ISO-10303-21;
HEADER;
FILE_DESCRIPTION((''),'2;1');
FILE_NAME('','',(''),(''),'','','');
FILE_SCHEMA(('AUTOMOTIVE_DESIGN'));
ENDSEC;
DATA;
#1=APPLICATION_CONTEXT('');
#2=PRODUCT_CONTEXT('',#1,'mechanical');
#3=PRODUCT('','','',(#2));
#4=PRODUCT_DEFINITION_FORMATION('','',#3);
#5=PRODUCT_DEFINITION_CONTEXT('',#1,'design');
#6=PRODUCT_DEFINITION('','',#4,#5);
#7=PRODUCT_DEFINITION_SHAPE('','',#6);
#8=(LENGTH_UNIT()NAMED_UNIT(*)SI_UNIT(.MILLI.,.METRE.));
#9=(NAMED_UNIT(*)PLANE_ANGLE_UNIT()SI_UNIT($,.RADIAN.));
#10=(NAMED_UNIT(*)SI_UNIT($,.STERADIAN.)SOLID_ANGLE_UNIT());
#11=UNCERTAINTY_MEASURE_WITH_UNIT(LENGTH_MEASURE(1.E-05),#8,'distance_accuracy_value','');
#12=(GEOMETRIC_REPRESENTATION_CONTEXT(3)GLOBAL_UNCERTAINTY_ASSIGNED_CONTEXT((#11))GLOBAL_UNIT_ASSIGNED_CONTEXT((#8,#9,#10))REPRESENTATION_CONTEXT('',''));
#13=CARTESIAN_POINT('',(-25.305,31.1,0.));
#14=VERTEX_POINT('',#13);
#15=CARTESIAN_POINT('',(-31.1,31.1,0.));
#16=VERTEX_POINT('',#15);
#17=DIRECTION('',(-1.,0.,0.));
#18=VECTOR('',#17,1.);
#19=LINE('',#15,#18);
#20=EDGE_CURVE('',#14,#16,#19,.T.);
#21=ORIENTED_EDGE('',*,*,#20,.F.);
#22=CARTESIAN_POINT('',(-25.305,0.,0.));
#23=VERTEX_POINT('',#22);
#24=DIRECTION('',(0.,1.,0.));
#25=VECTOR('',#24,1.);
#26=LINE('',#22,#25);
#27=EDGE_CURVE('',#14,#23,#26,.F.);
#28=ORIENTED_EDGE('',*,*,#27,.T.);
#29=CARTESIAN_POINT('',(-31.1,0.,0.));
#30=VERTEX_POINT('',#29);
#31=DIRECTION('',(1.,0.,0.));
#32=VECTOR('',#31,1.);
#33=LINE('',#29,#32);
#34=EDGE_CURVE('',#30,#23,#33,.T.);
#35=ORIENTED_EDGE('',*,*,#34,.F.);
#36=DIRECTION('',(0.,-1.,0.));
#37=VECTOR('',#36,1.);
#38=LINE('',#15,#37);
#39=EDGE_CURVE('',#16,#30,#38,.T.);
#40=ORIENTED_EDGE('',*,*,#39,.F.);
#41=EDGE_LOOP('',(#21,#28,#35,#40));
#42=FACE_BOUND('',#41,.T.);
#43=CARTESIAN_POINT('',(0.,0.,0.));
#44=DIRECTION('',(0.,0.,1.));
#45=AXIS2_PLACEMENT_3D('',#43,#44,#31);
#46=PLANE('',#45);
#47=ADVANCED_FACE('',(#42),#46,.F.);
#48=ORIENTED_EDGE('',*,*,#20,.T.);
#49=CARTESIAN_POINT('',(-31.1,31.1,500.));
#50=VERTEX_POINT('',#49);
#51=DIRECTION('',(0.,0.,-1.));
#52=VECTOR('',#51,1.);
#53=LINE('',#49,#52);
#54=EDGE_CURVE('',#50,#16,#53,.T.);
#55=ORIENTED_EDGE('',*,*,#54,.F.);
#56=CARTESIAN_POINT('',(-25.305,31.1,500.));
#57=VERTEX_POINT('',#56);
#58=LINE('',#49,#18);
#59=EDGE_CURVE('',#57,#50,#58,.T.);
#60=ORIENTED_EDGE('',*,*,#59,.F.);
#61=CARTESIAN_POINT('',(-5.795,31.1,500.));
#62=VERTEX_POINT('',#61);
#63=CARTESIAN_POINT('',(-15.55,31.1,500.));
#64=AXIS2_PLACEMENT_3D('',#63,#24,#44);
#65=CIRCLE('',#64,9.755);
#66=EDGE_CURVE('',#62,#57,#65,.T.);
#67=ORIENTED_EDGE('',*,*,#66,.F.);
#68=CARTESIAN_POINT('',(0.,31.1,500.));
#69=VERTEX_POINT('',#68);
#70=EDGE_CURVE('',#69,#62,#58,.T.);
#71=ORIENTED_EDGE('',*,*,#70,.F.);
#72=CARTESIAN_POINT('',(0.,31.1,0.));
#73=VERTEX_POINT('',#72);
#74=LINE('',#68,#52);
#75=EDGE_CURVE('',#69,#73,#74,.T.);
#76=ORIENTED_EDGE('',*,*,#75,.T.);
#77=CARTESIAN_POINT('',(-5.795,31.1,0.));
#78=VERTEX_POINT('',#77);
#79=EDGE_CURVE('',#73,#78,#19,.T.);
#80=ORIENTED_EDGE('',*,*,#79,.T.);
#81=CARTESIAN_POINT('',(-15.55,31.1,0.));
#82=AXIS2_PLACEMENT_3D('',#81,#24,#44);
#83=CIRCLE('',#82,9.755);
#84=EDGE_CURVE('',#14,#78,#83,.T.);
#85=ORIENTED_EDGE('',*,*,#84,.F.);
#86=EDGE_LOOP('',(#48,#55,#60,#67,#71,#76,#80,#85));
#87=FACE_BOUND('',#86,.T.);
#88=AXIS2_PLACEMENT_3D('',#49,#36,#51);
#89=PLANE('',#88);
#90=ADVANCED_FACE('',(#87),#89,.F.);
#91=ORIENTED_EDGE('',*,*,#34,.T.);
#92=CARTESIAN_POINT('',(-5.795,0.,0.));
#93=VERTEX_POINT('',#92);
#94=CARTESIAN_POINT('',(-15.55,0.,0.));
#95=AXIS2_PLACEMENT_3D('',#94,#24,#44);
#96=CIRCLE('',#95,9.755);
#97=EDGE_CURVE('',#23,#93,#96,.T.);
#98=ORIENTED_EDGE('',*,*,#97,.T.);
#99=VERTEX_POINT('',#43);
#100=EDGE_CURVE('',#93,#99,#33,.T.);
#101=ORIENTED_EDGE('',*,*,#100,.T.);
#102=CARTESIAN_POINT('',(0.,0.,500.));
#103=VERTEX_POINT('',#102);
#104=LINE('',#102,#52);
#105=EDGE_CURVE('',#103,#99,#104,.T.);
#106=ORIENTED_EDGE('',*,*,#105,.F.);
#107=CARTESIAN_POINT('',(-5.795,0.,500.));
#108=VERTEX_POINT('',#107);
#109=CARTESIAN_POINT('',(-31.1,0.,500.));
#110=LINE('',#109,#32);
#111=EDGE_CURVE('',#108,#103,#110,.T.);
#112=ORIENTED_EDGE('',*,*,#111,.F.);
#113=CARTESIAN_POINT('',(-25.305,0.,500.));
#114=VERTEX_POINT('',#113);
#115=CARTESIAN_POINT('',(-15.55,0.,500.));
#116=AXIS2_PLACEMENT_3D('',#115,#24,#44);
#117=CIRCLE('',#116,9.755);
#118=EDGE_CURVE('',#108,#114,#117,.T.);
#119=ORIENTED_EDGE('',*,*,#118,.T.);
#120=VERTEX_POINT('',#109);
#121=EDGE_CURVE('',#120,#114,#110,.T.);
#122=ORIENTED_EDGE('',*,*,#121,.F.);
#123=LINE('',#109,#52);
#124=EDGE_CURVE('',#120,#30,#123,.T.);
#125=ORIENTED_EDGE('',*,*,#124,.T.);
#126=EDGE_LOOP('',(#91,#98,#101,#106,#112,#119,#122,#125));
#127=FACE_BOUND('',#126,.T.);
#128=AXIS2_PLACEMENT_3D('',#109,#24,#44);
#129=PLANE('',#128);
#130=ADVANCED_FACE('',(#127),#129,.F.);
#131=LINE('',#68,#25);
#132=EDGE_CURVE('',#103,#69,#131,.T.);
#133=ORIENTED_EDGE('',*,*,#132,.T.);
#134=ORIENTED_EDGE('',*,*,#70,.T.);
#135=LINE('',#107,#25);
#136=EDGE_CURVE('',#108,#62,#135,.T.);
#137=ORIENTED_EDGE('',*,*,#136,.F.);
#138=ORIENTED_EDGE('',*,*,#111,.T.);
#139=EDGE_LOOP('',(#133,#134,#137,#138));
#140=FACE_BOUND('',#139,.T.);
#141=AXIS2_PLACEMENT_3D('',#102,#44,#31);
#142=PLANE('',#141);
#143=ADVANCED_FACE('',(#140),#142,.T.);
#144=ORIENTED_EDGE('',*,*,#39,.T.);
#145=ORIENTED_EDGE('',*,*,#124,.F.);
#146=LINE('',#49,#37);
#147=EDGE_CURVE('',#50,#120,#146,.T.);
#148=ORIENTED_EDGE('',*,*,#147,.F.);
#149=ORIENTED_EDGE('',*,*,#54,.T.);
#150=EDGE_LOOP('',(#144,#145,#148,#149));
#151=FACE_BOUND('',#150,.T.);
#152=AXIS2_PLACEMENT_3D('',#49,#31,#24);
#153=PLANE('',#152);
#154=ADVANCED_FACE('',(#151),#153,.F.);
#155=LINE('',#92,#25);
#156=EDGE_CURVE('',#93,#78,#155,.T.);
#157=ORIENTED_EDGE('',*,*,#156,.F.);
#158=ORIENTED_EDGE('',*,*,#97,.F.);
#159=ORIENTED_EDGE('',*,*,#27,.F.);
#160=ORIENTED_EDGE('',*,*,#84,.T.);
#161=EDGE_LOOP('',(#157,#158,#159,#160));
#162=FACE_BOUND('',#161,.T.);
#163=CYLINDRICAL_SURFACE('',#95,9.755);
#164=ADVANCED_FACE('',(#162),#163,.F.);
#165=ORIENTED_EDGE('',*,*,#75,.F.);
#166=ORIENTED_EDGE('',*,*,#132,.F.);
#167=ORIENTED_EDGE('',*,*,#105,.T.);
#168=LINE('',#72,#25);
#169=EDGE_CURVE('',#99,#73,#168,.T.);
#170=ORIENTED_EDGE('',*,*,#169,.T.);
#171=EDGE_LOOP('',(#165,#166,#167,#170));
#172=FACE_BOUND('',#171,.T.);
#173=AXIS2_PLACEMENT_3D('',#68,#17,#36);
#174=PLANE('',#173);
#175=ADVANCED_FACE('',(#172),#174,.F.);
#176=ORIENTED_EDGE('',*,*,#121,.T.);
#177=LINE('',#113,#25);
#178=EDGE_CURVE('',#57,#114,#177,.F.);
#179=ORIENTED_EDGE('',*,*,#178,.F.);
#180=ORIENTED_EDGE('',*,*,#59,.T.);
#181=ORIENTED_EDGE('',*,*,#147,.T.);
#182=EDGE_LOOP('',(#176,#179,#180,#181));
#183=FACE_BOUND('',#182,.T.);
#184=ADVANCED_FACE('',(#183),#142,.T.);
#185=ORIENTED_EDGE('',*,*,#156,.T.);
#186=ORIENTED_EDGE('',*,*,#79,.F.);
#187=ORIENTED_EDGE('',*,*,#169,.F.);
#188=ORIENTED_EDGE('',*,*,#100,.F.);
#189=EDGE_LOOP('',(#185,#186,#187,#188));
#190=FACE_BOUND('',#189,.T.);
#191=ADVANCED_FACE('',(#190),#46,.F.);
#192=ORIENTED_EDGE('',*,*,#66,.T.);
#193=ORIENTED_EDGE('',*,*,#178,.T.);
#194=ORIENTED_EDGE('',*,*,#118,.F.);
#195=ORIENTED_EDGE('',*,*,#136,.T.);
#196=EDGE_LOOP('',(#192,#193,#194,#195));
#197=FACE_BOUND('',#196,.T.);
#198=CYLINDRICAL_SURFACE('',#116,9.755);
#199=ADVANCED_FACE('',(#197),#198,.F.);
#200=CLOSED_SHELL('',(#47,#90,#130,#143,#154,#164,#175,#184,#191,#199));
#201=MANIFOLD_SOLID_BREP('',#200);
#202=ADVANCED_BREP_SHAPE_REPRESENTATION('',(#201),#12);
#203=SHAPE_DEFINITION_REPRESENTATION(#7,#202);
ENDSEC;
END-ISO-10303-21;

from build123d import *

# Parameters (mm, degrees)
SKETCH1_W           = 31.1
SKETCH1_H           = 31.1
BOSS_EXTRUDE1_DEPTH = 500
SKETCH2_R           = 9.755
CUT_EXTRUDE1_DEPTH  = 31.1
SKETCH3_R           = 9.755
CUT_EXTRUDE2_DEPTH  = 31.1


with BuildPart() as part:
    # Sketch1 → Boss-Extrude1 (new body)
    with BuildSketch(Plane.XY):
        with Locations((-15.55, 15.55)):
            Rectangle(SKETCH1_W, SKETCH1_H)
    extrude(amount=BOSS_EXTRUDE1_DEPTH)

    # Sketch2 → Cut-Extrude1 (cut)
    with BuildSketch(Plane(origin=(0, 31.1, 0), x_dir=(1, 0, 0), z_dir=(0, 1, 0))):
        with Locations((-15.55, 0)):
            Circle(SKETCH2_R)
    extrude(amount=-CUT_EXTRUDE1_DEPTH, mode=Mode.SUBTRACT)

    # Sketch3 → Cut-Extrude2 (cut)
    with BuildSketch(Plane(origin=(0, 31.1, 0), x_dir=(1, 0, 0), z_dir=(0, 1, 0))):
        with Locations((-15.55, -500)):
            Circle(SKETCH3_R)
    extrude(amount=-CUT_EXTRUDE2_DEPTH, mode=Mode.SUBTRACT)


solid = part.part
